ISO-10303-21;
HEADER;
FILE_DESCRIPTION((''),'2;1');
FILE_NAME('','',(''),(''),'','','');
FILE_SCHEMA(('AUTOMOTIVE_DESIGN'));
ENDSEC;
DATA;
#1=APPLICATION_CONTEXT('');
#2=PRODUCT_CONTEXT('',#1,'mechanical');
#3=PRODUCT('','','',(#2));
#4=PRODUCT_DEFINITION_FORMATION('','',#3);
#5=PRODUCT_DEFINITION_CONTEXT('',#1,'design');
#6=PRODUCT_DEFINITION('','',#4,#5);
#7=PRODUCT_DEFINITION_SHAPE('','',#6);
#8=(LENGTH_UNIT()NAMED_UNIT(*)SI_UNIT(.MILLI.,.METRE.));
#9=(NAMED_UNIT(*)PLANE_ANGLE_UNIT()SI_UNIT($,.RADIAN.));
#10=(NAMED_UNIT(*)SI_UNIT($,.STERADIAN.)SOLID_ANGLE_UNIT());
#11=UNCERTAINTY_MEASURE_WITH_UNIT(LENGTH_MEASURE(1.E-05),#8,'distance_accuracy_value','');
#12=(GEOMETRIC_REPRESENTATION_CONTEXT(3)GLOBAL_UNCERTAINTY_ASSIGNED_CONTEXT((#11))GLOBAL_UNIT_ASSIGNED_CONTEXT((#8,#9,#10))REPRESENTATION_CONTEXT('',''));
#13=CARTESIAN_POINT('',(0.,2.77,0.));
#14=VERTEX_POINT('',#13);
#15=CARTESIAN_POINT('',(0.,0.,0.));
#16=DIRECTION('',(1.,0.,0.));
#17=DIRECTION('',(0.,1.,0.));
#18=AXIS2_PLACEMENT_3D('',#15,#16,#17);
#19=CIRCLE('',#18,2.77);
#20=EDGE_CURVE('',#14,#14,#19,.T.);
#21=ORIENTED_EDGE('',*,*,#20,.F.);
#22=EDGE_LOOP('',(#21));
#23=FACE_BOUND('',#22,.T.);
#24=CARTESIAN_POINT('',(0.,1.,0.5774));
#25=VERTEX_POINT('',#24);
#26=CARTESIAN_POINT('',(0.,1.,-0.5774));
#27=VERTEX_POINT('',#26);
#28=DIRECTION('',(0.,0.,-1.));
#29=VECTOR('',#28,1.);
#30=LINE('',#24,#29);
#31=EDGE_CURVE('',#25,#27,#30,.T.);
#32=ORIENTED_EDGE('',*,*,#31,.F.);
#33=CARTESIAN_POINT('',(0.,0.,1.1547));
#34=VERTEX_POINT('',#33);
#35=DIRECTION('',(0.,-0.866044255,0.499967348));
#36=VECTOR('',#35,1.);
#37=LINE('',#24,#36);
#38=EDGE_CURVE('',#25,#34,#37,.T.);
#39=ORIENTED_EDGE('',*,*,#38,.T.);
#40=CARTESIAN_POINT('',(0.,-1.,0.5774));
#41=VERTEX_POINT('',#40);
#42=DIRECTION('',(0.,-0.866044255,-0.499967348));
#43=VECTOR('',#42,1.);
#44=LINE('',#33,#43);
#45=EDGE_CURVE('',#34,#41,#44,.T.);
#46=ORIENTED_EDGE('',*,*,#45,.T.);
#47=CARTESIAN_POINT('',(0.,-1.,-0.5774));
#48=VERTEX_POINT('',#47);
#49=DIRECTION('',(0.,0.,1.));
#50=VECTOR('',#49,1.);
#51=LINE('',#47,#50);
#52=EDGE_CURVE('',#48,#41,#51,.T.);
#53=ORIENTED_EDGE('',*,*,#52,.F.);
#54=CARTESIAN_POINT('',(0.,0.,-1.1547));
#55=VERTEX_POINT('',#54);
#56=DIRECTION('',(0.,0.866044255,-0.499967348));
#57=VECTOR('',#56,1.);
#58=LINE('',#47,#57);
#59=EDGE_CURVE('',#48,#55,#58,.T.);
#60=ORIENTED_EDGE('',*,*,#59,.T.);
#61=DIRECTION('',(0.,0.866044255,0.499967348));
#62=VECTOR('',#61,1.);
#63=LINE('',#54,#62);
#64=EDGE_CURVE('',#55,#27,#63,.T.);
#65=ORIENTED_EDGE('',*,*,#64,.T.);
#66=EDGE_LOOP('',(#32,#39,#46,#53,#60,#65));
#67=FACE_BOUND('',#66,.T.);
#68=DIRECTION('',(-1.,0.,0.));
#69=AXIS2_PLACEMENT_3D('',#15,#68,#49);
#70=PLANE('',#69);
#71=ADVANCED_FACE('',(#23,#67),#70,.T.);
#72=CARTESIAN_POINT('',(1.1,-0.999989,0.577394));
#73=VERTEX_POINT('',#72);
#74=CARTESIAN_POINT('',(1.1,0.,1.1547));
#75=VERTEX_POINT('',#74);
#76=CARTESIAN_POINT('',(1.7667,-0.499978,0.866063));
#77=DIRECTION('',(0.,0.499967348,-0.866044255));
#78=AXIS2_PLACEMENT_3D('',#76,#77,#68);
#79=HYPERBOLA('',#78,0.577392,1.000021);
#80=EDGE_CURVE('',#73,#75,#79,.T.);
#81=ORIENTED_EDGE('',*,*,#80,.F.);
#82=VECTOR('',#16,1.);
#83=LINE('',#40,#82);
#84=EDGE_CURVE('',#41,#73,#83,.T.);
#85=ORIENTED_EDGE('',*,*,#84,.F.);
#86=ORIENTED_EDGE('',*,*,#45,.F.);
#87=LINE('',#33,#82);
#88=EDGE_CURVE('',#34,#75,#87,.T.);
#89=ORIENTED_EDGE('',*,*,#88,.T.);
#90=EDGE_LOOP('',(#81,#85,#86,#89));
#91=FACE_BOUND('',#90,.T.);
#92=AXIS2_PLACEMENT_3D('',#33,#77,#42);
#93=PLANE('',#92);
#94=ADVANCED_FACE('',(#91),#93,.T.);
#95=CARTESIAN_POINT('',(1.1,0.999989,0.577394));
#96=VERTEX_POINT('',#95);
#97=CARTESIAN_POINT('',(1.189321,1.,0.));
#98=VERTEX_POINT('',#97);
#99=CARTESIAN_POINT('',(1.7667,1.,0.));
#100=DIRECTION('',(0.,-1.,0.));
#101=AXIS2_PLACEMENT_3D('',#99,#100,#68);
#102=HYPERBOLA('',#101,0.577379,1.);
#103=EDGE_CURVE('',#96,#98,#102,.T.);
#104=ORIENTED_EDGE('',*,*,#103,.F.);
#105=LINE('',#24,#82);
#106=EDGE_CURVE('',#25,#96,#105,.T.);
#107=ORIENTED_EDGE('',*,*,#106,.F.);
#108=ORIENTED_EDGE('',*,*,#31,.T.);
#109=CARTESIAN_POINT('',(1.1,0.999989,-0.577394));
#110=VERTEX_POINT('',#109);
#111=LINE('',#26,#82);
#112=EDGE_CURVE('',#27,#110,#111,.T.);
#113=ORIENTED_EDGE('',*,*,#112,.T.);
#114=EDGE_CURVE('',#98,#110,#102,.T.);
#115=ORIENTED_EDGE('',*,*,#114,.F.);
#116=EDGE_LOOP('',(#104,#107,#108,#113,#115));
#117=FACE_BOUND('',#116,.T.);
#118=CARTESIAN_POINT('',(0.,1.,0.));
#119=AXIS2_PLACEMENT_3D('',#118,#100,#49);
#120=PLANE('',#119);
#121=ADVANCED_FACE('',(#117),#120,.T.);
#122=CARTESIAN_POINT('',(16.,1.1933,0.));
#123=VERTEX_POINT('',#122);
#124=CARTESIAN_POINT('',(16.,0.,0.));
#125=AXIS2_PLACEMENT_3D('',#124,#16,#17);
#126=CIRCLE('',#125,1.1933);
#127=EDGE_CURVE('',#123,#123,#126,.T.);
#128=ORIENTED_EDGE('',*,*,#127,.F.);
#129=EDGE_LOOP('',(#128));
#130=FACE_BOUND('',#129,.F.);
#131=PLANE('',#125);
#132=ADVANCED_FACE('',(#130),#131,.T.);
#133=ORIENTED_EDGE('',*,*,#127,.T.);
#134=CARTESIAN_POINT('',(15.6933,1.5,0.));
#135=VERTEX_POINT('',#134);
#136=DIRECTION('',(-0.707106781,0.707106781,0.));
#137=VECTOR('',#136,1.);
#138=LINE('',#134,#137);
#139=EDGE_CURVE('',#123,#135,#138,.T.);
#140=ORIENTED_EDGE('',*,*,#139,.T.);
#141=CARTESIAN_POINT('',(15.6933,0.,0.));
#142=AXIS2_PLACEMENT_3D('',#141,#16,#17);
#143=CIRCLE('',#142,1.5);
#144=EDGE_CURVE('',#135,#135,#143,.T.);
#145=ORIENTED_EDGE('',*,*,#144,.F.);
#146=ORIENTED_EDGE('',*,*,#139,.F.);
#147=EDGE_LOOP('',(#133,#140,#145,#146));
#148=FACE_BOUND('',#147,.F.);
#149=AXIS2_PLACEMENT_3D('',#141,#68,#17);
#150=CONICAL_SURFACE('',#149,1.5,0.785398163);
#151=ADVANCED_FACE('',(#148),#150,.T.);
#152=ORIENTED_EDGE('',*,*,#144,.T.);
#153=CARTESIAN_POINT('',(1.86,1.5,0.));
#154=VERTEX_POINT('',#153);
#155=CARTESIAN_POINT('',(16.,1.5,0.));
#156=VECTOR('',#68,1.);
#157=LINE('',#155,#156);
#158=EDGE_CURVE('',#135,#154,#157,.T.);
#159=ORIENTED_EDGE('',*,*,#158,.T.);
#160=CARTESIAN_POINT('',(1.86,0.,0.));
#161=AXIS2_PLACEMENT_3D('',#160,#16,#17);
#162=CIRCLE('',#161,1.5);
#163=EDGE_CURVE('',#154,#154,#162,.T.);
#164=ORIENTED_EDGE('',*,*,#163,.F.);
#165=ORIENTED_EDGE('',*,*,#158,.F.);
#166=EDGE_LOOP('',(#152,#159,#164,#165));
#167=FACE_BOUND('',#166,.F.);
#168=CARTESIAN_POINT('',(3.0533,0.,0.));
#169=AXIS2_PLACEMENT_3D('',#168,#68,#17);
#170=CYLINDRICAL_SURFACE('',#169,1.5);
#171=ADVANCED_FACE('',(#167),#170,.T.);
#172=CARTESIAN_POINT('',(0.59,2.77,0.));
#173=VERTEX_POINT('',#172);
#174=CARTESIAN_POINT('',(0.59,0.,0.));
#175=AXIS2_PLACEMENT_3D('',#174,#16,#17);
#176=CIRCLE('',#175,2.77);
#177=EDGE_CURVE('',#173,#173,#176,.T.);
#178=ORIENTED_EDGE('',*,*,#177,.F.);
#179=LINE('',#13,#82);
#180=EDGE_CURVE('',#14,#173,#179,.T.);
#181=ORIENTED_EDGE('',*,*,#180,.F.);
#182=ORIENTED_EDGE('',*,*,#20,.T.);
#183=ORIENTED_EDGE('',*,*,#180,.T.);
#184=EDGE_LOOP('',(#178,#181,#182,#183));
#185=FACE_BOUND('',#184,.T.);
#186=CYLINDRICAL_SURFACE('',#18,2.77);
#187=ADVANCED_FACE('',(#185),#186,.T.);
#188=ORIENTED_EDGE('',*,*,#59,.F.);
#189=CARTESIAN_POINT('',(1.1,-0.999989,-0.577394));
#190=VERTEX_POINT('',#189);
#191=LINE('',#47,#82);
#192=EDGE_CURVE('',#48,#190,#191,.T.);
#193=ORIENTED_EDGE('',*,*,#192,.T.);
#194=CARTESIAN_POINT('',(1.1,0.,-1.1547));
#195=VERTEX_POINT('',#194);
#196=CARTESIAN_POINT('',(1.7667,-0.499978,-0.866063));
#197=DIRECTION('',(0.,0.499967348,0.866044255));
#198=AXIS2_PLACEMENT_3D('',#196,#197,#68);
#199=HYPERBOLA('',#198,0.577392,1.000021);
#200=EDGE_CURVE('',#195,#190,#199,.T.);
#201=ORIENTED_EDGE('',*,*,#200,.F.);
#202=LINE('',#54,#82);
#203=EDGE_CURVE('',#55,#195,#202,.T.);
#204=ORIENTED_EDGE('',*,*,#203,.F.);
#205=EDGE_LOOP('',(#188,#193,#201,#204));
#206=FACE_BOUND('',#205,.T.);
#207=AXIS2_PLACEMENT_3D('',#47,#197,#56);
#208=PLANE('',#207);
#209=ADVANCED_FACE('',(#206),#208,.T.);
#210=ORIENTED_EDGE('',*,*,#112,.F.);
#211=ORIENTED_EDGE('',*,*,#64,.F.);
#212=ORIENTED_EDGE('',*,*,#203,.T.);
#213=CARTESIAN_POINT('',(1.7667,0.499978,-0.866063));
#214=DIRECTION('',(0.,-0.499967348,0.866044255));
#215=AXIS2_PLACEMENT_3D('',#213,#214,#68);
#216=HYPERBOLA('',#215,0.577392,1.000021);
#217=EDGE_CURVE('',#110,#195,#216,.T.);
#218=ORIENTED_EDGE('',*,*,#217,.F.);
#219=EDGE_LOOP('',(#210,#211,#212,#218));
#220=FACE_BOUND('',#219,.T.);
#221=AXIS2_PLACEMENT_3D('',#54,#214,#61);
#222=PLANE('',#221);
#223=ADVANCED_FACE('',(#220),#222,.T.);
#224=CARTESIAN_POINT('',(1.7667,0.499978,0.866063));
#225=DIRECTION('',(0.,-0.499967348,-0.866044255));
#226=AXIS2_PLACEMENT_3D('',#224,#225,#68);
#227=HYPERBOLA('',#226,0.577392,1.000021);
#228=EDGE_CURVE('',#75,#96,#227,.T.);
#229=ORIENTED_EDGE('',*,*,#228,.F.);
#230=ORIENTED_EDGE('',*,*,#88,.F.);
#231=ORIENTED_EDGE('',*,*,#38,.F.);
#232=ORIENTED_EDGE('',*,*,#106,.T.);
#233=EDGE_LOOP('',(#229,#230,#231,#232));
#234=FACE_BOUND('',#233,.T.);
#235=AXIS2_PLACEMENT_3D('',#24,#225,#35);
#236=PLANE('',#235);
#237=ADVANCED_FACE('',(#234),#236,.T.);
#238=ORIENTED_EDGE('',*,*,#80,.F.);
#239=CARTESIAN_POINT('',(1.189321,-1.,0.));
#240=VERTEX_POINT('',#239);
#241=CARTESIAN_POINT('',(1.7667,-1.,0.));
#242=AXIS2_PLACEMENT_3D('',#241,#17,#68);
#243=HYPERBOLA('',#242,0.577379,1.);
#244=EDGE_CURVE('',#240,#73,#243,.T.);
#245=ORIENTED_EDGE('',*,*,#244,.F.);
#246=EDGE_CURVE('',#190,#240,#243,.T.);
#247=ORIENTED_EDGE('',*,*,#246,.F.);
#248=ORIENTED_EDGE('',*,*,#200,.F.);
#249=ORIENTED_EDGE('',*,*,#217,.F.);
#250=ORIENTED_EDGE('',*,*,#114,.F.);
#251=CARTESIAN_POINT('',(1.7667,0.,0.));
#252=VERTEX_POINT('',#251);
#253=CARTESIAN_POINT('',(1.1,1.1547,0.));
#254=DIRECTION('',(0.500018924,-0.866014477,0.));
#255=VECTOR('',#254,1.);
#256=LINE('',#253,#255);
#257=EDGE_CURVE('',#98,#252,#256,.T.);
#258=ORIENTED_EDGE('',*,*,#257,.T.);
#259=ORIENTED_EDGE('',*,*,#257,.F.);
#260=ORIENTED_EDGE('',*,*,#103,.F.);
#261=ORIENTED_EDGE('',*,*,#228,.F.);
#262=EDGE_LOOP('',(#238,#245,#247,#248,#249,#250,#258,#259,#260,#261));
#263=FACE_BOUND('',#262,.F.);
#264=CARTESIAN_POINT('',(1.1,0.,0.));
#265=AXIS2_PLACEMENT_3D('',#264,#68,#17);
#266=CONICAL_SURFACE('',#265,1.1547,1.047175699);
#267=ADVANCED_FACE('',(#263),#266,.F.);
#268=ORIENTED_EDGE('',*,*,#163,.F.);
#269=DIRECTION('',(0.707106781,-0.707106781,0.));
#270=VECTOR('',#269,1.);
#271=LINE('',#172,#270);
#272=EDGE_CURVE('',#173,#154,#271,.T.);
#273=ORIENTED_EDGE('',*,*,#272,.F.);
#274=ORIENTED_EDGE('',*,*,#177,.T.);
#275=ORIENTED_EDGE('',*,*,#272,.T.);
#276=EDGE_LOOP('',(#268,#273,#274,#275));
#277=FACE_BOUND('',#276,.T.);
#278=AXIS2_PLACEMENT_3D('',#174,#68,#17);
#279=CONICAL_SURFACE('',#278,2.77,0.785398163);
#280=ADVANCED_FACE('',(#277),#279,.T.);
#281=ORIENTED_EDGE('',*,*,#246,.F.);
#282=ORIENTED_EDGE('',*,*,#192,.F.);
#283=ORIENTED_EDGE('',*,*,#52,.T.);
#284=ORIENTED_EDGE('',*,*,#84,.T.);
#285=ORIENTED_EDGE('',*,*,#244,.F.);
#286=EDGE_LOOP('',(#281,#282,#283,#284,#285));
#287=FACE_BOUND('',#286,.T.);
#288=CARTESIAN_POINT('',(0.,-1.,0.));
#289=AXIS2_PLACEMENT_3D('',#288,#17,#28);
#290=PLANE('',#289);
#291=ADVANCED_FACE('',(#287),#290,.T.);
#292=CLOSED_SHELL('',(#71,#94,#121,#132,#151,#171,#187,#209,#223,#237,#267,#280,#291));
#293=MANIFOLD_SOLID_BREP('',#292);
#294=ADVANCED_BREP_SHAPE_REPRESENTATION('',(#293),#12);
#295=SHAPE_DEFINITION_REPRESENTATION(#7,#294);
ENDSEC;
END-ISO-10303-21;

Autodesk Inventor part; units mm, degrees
ref_plane "YZ Plane" through (0, 0, 0) normal (1, 0, 0) x (0, 1, 0)
ref_plane "XZ Plane" through (0, 0, 0) normal (0, 1, 0) x (-1, 0, 0)
sketch "Sketch1" plane through (0, 0, 0) normal (0, 0, 1) x (1, 0, 0)
  line L0 (16, 0) -> (16, 1.5)
  line L1 (16, 1.5) -> (3.36, 1.5)
  line L2 (3.36, 1.5) -> (3.0533, 1.5)
  line L3 (0, 2.77) -> (0, 1.1547)
  line L4 (0, 1.1547) -> (1.1, 1.1547)
  line L5 (1.1, 1.1547) -> (1.7667, 0)
  line L6 (1.7667, 0) -> (16, 0)
  line L7 (0, 2.77) -> (0.59, 2.77)
  line L8 (0.59, 2.77) -> (1.86, 1.5)
  line L9 (3.0533, 1.5) -> (1.86, 1.5)
  line L10 (3.36, 1.5) -> (1.86, 1.5) construction
  line L11 (1.86, 1.5) -> (1.86, 1.5)
  line L12 (-25.4, 0) -> (152.4, 0) projected
  line L13 (0, -2.1133) -> (0, 12.6797) projected
  dimension "d0" = 16
  dimension "d1" = 12.64
  dimension "d2" = 1.1
  dimension "d3" = 3
  dimension "d6" = 1.86
  dimension "d7" = 45
  dimension "d8" = 2.3094
  dimension "d9" = 60
  dimension "d10" = 5.54
  dimension "d11" = 3
  dimension "d12" = 0.3067
revolve "Body" add sketch "Sketch1" angle 360 about axis through (1.7667, 0, 0) along (1, 0, 0) contours L6 L5 L4 L3 L7 L8 L9 L2 L1 L0
sketch "Sketch2" plane through (0, 0, 0) normal (-1, 0, 0) x (0, 0, 1)
  circle A0 centre (0, 0) radius 1.1547 projected
  line L0 (0, -6.4055) -> (0, 6.4055) projected
  line L1 (-6.4055, 0) -> (6.4055, 0) projected
  line L2 (1.1547, 0) -> (0.5774, -1)
  line L3 (0.5774, -1) -> (-0.5774, -1)
  line L4 (-0.5774, -1) -> (-1.1547, 0)
  line L5 (-1.1547, 0) -> (-0.5774, 1)
  line L6 (-0.5774, 1) -> (0.5774, 1)
  line L7 (0.5774, 1) -> (1.1547, 0)
  point P0 (0, 1.1547)
extrude "Slot" add sketch "Sketch2" against normal up to next contours L7 A0 | A0 L2 | L6 L0 A0 | A0 L0 L3 | L0 L6 A0 | A0 L3 L0 | L4 A0 | A0 L5
thread "Thread" size "M14x2" class "6g" standard "ISO Metric profile" length 12.64
chamfer "Chamfer1" distance 0.3067 distance2 0.3067 1 edges at (16, -1.5, 0) measured on face at (16, -0.3743, -0.3316)
ref_plane "Work Plane1" through (104.775, 0, 0) normal (0, 0, -1) x (1, 0, 0)
equation "\"d15\" = GEL"
equation "\"d17\" = -0.5 * SPD + 0.5 * GD"
equation "\"d18\" = GUL"
equation "\"d0\" = NLG"
equation "\"d1\" = GEL"
equation "\"d2\" = INTI"
equation "\"d3\" = GD"
equation "\"d6\" = KOH"
equation "\"d7\" = 0.5 * SEWI"
equation "\"d8\" = 1.1547 * SW"
equation "\"d10\" = KOD"
equation "\"d11\" = BDM"
equation "\"d12\" = GAL"
equation "\"NLG\" = 16"
equation "\"INTI\" = 1.1"
equation "\"GEL\" = 12.64"
equation "\"GAL\" = 0.61345 * PTC"
equation "\"KOH\" = 1.86"
equation "\"KOD\" = 5.54"
equation "\"GUL\" = 0.61345 * PTC"
equation "\"SPD\" = NND - 1.2269 * PTC"
equation "\"BDM\" = NND"
equation "\"GD\" = NND"
equation "\"SEWI\" = 90deg"
equation "\"SW\" = 2"
equation "\"TOA\" = 30deg"
equation "\"GD1\" = THREADDIA - 1.2269 * PTC"
equation "\"EPV\" = 3.36"
equation "\"THREADDIA\" = 3"
equation "\"PTC\" = 0.5"
equation "\"NND\" = 3"
equation "\"E0\" = 2.31"
properties part number "ISO 10642  - M3  x  16" material "Steel"
